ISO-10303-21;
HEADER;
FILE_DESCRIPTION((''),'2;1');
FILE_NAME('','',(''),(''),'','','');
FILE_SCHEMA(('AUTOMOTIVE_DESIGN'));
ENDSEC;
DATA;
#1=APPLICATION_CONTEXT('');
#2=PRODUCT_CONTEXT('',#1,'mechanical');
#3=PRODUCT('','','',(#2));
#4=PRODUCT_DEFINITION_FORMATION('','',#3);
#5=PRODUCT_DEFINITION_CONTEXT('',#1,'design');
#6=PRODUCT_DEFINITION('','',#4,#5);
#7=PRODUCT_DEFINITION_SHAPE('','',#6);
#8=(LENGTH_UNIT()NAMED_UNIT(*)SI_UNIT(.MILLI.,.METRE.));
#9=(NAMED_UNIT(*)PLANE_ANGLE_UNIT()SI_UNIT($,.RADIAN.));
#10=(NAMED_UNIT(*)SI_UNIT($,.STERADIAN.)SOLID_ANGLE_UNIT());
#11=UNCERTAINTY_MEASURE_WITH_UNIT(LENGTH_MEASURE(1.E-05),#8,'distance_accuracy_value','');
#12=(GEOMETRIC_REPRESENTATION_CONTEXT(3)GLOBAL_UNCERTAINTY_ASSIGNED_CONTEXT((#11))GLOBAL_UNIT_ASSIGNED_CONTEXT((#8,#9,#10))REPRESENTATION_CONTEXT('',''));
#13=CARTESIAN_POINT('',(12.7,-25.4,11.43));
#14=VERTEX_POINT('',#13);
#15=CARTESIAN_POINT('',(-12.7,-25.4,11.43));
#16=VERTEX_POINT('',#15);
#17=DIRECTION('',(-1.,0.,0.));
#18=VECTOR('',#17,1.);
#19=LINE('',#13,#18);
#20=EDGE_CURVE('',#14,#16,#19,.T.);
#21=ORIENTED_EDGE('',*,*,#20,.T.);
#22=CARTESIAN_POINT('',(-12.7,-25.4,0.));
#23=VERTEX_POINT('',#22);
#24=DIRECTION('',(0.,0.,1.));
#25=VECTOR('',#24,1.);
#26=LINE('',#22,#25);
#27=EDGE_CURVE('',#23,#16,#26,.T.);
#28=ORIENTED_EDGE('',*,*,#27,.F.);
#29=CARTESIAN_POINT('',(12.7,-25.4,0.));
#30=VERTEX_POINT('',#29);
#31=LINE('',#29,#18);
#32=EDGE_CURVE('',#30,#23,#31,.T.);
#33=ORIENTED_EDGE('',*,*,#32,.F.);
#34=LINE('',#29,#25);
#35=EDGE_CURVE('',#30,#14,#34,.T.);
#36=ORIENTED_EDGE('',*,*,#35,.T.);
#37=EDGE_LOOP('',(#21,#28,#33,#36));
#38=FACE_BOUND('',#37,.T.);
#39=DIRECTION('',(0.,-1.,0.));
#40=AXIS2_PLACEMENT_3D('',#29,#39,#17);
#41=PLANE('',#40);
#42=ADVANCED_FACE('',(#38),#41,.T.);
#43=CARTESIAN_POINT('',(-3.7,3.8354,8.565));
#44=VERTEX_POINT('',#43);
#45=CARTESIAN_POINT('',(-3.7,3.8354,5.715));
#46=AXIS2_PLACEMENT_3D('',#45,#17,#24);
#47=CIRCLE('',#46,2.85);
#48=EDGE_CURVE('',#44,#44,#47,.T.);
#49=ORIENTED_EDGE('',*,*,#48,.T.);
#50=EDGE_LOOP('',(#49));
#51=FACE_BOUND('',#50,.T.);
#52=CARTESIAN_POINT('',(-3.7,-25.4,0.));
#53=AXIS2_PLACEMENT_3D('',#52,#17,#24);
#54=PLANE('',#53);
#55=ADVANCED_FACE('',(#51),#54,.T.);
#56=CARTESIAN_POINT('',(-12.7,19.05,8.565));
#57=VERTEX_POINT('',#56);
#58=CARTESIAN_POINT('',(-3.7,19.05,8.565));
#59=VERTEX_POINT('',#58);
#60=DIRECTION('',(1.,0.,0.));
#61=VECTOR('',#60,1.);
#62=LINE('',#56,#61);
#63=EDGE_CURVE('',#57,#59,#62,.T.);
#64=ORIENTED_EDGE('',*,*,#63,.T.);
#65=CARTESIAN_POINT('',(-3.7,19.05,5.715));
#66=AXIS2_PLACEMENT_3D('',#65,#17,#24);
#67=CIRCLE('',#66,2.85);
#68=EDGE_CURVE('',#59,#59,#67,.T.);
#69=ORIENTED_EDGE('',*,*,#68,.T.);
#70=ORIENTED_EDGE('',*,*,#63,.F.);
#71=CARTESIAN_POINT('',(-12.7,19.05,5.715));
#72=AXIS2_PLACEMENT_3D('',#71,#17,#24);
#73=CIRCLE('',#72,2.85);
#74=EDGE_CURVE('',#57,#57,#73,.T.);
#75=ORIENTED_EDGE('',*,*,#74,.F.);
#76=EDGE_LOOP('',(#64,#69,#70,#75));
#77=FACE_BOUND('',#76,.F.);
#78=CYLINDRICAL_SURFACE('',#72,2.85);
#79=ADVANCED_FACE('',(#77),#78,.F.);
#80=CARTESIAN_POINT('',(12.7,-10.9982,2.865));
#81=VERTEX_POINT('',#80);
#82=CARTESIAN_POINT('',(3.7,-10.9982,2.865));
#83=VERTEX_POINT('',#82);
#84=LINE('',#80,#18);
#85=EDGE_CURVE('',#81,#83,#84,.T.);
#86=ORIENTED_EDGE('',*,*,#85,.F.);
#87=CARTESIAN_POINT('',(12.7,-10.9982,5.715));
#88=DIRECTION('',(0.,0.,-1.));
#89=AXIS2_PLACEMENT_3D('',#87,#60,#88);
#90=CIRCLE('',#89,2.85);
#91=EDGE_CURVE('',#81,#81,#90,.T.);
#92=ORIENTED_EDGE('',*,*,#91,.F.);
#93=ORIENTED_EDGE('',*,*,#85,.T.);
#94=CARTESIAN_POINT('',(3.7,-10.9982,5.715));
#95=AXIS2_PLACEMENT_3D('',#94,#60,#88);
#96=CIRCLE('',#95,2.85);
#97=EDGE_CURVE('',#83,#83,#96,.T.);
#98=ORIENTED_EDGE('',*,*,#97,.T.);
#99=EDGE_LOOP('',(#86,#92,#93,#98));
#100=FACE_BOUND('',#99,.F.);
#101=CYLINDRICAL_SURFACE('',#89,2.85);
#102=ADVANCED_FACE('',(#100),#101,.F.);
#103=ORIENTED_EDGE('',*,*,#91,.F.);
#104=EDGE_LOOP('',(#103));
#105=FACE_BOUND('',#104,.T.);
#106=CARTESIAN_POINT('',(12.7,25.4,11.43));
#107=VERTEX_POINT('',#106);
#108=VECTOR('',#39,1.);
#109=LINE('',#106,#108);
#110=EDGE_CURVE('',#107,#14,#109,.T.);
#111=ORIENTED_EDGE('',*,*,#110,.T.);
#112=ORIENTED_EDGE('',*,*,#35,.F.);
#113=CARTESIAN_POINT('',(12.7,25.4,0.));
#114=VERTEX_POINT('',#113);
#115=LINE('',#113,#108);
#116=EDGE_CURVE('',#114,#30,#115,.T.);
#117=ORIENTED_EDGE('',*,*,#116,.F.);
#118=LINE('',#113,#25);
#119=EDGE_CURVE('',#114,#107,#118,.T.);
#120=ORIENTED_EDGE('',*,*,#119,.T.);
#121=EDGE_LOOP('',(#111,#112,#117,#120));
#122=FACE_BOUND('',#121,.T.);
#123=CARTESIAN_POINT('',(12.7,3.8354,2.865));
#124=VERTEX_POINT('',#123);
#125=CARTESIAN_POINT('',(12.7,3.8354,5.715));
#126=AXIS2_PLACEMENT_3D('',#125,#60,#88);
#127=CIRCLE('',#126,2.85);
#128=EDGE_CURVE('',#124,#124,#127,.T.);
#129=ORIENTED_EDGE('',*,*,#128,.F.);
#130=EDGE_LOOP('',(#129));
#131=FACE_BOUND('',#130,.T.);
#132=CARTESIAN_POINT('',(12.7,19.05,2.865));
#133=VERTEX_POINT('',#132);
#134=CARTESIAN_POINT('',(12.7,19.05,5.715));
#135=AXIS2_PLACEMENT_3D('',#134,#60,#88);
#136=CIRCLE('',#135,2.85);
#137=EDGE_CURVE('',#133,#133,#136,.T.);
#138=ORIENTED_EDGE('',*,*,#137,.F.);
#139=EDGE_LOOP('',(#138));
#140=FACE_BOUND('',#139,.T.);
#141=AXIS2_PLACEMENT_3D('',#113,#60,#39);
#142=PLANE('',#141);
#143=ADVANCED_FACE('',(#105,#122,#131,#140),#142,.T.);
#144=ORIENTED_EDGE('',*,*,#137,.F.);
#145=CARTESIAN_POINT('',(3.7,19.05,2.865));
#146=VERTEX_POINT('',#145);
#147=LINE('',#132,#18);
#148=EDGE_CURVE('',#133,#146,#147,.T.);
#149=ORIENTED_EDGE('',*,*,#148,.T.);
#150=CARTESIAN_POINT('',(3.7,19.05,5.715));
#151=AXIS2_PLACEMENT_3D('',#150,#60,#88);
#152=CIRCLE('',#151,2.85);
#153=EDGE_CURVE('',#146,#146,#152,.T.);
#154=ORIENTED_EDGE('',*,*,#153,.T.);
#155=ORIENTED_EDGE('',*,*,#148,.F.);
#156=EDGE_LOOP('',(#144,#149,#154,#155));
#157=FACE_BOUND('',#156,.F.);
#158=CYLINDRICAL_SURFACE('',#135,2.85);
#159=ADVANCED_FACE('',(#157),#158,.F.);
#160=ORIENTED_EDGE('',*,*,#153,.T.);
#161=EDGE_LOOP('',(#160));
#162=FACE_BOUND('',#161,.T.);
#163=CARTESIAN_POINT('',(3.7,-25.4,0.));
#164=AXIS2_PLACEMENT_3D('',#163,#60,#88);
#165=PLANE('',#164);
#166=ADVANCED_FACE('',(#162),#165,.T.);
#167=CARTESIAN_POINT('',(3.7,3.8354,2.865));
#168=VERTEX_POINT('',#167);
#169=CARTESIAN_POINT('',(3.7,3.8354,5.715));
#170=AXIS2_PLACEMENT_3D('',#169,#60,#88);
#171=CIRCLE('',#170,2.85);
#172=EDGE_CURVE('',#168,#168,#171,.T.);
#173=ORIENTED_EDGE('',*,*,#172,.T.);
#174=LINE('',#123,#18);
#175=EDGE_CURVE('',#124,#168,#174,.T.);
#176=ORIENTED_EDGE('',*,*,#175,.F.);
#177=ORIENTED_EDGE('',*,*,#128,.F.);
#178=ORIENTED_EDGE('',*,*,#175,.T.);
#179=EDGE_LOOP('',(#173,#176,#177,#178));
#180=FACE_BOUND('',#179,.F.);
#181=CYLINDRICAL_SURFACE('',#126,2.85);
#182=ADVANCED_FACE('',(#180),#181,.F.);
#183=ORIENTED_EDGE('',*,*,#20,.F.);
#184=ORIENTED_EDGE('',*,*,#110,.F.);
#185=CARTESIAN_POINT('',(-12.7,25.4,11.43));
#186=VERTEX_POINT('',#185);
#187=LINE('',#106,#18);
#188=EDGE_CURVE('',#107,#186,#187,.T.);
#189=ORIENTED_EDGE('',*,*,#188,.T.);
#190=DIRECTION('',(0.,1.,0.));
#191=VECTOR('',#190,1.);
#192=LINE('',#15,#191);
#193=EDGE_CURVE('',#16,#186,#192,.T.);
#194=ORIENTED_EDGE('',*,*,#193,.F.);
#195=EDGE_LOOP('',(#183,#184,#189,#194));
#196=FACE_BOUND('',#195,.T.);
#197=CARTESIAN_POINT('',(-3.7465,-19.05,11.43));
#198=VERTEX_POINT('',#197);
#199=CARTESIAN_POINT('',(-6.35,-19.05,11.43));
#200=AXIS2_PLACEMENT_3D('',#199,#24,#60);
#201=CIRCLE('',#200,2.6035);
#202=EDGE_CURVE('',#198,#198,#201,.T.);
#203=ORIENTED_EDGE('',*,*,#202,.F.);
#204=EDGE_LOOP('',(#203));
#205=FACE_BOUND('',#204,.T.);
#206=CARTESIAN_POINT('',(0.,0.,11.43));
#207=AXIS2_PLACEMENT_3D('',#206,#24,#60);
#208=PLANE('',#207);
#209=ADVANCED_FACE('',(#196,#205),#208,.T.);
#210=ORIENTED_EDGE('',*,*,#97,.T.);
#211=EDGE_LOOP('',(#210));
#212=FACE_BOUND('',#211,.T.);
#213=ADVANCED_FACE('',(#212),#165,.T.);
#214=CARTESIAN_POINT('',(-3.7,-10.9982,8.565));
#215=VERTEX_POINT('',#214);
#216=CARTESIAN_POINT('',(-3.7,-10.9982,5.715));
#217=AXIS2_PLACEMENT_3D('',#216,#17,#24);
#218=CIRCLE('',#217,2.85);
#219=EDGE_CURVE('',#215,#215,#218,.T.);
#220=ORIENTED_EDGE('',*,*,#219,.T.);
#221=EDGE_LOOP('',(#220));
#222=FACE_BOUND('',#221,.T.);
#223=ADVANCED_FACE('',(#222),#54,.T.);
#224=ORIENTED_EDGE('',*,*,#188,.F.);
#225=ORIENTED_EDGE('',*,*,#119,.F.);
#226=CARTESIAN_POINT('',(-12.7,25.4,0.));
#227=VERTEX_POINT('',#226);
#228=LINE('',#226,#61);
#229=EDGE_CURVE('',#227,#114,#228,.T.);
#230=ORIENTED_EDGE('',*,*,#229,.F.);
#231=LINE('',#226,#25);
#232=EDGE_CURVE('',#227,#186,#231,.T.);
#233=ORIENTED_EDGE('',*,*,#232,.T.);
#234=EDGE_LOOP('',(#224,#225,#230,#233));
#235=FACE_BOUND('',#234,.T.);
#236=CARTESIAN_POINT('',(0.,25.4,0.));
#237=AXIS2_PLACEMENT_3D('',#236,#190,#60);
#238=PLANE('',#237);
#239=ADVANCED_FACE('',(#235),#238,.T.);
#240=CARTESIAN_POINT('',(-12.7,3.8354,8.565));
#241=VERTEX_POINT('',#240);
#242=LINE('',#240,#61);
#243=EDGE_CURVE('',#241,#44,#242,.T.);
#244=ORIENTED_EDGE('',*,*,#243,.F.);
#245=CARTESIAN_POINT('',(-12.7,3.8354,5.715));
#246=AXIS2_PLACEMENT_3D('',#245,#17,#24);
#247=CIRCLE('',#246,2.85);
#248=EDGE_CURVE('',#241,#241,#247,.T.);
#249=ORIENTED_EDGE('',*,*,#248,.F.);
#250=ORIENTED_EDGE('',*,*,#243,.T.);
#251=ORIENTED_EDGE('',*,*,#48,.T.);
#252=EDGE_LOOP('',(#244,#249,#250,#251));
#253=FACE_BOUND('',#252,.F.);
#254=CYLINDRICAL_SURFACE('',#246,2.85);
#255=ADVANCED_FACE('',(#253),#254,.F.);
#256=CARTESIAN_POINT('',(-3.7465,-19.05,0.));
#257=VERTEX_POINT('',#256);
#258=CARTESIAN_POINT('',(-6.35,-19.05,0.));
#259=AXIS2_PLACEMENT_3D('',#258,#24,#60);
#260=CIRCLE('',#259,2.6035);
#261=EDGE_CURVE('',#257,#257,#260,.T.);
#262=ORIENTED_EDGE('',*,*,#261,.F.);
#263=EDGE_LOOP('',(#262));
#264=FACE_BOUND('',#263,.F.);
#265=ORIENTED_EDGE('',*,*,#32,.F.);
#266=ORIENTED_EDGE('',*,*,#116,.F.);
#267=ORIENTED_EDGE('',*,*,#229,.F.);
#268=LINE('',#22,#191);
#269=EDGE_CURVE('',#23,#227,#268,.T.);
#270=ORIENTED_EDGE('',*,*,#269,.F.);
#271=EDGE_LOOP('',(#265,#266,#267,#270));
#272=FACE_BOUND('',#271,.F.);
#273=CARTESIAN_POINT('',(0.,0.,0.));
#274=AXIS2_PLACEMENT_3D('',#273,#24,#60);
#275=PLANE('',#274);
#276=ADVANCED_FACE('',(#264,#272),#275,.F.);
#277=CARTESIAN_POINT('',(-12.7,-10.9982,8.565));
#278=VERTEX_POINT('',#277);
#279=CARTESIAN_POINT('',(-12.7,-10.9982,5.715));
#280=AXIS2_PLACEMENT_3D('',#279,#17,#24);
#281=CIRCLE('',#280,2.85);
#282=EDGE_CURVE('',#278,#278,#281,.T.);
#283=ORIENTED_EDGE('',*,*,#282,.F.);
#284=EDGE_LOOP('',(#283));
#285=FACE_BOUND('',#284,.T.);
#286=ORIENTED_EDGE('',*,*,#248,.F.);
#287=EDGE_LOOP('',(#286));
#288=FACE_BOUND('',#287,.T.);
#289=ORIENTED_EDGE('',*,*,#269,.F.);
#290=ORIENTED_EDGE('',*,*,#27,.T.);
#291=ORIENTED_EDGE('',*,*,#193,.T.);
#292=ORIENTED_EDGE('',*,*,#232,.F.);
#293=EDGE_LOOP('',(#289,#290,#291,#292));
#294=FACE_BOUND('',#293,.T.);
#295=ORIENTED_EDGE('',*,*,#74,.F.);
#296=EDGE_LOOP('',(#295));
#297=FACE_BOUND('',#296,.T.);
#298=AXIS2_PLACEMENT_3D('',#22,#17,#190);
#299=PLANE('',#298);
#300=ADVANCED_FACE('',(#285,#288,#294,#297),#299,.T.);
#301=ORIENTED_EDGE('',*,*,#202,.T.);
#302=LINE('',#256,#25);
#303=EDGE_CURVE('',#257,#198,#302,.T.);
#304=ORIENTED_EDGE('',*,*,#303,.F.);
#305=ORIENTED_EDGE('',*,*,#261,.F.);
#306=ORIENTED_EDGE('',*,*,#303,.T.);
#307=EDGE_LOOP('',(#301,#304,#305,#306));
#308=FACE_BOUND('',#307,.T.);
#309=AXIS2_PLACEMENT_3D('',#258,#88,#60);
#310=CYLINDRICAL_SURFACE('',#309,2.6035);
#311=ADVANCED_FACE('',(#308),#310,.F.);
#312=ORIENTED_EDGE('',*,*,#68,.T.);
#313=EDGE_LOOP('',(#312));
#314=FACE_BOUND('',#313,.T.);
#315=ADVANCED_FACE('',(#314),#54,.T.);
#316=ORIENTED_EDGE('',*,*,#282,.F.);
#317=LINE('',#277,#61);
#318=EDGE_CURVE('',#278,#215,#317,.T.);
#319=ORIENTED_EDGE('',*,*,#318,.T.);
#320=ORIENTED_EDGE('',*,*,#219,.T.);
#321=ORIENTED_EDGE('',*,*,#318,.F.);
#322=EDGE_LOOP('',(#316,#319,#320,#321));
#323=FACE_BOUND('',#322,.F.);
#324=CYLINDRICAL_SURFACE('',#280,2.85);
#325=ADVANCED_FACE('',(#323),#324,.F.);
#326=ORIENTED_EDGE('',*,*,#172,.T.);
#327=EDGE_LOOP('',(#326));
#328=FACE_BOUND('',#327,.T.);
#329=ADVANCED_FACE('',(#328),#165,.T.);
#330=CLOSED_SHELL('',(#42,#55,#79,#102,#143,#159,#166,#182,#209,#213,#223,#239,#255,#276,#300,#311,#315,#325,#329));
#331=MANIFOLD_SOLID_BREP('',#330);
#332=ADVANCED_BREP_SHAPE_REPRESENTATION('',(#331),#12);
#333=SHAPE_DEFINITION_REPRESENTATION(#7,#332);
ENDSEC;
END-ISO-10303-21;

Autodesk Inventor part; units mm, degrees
ref_plane "YZ Plane" through (0, 0, 0) normal (1, 0, 0) x (0, 1, 0)
ref_plane "XZ Plane" through (0, 0, 0) normal (0, 1, 0) x (-1, 0, 0)
ref_plane "XY Plane" through (0, 0, 0) normal (0, 0, 1) x (1, 0, 0)
sketch "Sketch1" plane through (0, 0, 0) normal (0, 0, 1) x (1, 0, 0)
  line L0 (12.7, -25.4) -> (-12.7, -25.4)
  line L1 (-12.7, -25.4) -> (-12.7, 25.4)
  line L2 (-12.7, 25.4) -> (12.7, 25.4)
  line L3 (12.7, 25.4) -> (12.7, -25.4)
  line L4 (12.7, -25.4) -> (-12.7, 25.4) construction
  line L5 (-12.7, -25.4) -> (12.7, 25.4) construction
  line L6 (-12.7, 25.4) -> (0, 25.4)
  circle A0 centre (-6.35, -19.05) radius 2.6035
  line L7 (-12.7, 25.4) -> (-3.7, 25.4) construction
  line L8 (-3.7, 25.4) -> (-3.7, -25.4) construction
  line L9 (-3.7, -25.4) -> (-12.7, -25.4) construction
  line L10 (-12.7, -25.4) -> (-12.7, 25.4) construction
  point P0 (0, 0)
  dimension "d0" = 25.4
  dimension "d1" = 50.8
  dimension "d4" = 5.207
  dimension "d5" = 6.35
  dimension "d7" = 9
  dimension "d8" = 6.35
extrude "Extrusion1" add sketch "Sketch1" along normal blind 11.43
sketch "Sketch2" plane through (-12.7, -25.4, 0) normal (-1, 0, 0) x (0, 0, 1)
  line L0 (0, 50.8) -> (0, 0) projected
  line L1 (0, 0) -> (11.43, 0) projected
  line L2 (11.43, 50.8) -> (11.43, 0) projected
  line L3 (0, 50.8) -> (11.43, 50.8) projected
  line L4 (0, 50.8) -> (11.43, 50.8) construction
  line L5 (5.715, 50.8) -> (5.715, 0) construction
  line L6 (0, 0) -> (11.43, 0) construction
  line L7 (0, 25.4) -> (11.43, 25.4) construction
  line L8 (11.43, 0) -> (11.43, 50.8) construction
  circle A0 centre (5.715, 44.45) radius 2.85
  circle A1 centre (5.715, 29.2354) radius 2.85
  circle A2 centre (5.715, 14.4018) radius 2.85
  dimension "d11" = 5.7
  dimension "d12" = 6.35
  dimension "d13" = 5.7
  dimension "d14" = 15.2146
  dimension "d15" = 5.7
  dimension "d16" = 14.8336
extrude "Extrusion2" cut sketch "Sketch2" against normal blind 9 contours A0 | A1 | A2
sketch "Sketch3" plane through (12.7, -25.4, 0) normal (1, 0, 0) x (0, 0, -1)
  line L0 (0, 0) -> (0, 50.8) projected
  line L1 (0, 50.8) -> (-11.43, 50.8) projected
  line L2 (-11.43, 0) -> (-11.43, 50.8) projected
  line L3 (0, 0) -> (-11.43, 0) projected
  circle A0 centre (-5.715, 44.45) radius 2.85 projected
  circle A1 centre (-5.715, 29.2354) radius 2.85 projected
  circle A2 centre (-5.715, 14.4018) radius 2.85 projected
  point P0 (0, 25.4)
extrude "Extrusion3" cut sketch "Sketch3" against normal blind 9 contours A0 | A1 | A2
properties part number "Torsion_Spring_Lift"
